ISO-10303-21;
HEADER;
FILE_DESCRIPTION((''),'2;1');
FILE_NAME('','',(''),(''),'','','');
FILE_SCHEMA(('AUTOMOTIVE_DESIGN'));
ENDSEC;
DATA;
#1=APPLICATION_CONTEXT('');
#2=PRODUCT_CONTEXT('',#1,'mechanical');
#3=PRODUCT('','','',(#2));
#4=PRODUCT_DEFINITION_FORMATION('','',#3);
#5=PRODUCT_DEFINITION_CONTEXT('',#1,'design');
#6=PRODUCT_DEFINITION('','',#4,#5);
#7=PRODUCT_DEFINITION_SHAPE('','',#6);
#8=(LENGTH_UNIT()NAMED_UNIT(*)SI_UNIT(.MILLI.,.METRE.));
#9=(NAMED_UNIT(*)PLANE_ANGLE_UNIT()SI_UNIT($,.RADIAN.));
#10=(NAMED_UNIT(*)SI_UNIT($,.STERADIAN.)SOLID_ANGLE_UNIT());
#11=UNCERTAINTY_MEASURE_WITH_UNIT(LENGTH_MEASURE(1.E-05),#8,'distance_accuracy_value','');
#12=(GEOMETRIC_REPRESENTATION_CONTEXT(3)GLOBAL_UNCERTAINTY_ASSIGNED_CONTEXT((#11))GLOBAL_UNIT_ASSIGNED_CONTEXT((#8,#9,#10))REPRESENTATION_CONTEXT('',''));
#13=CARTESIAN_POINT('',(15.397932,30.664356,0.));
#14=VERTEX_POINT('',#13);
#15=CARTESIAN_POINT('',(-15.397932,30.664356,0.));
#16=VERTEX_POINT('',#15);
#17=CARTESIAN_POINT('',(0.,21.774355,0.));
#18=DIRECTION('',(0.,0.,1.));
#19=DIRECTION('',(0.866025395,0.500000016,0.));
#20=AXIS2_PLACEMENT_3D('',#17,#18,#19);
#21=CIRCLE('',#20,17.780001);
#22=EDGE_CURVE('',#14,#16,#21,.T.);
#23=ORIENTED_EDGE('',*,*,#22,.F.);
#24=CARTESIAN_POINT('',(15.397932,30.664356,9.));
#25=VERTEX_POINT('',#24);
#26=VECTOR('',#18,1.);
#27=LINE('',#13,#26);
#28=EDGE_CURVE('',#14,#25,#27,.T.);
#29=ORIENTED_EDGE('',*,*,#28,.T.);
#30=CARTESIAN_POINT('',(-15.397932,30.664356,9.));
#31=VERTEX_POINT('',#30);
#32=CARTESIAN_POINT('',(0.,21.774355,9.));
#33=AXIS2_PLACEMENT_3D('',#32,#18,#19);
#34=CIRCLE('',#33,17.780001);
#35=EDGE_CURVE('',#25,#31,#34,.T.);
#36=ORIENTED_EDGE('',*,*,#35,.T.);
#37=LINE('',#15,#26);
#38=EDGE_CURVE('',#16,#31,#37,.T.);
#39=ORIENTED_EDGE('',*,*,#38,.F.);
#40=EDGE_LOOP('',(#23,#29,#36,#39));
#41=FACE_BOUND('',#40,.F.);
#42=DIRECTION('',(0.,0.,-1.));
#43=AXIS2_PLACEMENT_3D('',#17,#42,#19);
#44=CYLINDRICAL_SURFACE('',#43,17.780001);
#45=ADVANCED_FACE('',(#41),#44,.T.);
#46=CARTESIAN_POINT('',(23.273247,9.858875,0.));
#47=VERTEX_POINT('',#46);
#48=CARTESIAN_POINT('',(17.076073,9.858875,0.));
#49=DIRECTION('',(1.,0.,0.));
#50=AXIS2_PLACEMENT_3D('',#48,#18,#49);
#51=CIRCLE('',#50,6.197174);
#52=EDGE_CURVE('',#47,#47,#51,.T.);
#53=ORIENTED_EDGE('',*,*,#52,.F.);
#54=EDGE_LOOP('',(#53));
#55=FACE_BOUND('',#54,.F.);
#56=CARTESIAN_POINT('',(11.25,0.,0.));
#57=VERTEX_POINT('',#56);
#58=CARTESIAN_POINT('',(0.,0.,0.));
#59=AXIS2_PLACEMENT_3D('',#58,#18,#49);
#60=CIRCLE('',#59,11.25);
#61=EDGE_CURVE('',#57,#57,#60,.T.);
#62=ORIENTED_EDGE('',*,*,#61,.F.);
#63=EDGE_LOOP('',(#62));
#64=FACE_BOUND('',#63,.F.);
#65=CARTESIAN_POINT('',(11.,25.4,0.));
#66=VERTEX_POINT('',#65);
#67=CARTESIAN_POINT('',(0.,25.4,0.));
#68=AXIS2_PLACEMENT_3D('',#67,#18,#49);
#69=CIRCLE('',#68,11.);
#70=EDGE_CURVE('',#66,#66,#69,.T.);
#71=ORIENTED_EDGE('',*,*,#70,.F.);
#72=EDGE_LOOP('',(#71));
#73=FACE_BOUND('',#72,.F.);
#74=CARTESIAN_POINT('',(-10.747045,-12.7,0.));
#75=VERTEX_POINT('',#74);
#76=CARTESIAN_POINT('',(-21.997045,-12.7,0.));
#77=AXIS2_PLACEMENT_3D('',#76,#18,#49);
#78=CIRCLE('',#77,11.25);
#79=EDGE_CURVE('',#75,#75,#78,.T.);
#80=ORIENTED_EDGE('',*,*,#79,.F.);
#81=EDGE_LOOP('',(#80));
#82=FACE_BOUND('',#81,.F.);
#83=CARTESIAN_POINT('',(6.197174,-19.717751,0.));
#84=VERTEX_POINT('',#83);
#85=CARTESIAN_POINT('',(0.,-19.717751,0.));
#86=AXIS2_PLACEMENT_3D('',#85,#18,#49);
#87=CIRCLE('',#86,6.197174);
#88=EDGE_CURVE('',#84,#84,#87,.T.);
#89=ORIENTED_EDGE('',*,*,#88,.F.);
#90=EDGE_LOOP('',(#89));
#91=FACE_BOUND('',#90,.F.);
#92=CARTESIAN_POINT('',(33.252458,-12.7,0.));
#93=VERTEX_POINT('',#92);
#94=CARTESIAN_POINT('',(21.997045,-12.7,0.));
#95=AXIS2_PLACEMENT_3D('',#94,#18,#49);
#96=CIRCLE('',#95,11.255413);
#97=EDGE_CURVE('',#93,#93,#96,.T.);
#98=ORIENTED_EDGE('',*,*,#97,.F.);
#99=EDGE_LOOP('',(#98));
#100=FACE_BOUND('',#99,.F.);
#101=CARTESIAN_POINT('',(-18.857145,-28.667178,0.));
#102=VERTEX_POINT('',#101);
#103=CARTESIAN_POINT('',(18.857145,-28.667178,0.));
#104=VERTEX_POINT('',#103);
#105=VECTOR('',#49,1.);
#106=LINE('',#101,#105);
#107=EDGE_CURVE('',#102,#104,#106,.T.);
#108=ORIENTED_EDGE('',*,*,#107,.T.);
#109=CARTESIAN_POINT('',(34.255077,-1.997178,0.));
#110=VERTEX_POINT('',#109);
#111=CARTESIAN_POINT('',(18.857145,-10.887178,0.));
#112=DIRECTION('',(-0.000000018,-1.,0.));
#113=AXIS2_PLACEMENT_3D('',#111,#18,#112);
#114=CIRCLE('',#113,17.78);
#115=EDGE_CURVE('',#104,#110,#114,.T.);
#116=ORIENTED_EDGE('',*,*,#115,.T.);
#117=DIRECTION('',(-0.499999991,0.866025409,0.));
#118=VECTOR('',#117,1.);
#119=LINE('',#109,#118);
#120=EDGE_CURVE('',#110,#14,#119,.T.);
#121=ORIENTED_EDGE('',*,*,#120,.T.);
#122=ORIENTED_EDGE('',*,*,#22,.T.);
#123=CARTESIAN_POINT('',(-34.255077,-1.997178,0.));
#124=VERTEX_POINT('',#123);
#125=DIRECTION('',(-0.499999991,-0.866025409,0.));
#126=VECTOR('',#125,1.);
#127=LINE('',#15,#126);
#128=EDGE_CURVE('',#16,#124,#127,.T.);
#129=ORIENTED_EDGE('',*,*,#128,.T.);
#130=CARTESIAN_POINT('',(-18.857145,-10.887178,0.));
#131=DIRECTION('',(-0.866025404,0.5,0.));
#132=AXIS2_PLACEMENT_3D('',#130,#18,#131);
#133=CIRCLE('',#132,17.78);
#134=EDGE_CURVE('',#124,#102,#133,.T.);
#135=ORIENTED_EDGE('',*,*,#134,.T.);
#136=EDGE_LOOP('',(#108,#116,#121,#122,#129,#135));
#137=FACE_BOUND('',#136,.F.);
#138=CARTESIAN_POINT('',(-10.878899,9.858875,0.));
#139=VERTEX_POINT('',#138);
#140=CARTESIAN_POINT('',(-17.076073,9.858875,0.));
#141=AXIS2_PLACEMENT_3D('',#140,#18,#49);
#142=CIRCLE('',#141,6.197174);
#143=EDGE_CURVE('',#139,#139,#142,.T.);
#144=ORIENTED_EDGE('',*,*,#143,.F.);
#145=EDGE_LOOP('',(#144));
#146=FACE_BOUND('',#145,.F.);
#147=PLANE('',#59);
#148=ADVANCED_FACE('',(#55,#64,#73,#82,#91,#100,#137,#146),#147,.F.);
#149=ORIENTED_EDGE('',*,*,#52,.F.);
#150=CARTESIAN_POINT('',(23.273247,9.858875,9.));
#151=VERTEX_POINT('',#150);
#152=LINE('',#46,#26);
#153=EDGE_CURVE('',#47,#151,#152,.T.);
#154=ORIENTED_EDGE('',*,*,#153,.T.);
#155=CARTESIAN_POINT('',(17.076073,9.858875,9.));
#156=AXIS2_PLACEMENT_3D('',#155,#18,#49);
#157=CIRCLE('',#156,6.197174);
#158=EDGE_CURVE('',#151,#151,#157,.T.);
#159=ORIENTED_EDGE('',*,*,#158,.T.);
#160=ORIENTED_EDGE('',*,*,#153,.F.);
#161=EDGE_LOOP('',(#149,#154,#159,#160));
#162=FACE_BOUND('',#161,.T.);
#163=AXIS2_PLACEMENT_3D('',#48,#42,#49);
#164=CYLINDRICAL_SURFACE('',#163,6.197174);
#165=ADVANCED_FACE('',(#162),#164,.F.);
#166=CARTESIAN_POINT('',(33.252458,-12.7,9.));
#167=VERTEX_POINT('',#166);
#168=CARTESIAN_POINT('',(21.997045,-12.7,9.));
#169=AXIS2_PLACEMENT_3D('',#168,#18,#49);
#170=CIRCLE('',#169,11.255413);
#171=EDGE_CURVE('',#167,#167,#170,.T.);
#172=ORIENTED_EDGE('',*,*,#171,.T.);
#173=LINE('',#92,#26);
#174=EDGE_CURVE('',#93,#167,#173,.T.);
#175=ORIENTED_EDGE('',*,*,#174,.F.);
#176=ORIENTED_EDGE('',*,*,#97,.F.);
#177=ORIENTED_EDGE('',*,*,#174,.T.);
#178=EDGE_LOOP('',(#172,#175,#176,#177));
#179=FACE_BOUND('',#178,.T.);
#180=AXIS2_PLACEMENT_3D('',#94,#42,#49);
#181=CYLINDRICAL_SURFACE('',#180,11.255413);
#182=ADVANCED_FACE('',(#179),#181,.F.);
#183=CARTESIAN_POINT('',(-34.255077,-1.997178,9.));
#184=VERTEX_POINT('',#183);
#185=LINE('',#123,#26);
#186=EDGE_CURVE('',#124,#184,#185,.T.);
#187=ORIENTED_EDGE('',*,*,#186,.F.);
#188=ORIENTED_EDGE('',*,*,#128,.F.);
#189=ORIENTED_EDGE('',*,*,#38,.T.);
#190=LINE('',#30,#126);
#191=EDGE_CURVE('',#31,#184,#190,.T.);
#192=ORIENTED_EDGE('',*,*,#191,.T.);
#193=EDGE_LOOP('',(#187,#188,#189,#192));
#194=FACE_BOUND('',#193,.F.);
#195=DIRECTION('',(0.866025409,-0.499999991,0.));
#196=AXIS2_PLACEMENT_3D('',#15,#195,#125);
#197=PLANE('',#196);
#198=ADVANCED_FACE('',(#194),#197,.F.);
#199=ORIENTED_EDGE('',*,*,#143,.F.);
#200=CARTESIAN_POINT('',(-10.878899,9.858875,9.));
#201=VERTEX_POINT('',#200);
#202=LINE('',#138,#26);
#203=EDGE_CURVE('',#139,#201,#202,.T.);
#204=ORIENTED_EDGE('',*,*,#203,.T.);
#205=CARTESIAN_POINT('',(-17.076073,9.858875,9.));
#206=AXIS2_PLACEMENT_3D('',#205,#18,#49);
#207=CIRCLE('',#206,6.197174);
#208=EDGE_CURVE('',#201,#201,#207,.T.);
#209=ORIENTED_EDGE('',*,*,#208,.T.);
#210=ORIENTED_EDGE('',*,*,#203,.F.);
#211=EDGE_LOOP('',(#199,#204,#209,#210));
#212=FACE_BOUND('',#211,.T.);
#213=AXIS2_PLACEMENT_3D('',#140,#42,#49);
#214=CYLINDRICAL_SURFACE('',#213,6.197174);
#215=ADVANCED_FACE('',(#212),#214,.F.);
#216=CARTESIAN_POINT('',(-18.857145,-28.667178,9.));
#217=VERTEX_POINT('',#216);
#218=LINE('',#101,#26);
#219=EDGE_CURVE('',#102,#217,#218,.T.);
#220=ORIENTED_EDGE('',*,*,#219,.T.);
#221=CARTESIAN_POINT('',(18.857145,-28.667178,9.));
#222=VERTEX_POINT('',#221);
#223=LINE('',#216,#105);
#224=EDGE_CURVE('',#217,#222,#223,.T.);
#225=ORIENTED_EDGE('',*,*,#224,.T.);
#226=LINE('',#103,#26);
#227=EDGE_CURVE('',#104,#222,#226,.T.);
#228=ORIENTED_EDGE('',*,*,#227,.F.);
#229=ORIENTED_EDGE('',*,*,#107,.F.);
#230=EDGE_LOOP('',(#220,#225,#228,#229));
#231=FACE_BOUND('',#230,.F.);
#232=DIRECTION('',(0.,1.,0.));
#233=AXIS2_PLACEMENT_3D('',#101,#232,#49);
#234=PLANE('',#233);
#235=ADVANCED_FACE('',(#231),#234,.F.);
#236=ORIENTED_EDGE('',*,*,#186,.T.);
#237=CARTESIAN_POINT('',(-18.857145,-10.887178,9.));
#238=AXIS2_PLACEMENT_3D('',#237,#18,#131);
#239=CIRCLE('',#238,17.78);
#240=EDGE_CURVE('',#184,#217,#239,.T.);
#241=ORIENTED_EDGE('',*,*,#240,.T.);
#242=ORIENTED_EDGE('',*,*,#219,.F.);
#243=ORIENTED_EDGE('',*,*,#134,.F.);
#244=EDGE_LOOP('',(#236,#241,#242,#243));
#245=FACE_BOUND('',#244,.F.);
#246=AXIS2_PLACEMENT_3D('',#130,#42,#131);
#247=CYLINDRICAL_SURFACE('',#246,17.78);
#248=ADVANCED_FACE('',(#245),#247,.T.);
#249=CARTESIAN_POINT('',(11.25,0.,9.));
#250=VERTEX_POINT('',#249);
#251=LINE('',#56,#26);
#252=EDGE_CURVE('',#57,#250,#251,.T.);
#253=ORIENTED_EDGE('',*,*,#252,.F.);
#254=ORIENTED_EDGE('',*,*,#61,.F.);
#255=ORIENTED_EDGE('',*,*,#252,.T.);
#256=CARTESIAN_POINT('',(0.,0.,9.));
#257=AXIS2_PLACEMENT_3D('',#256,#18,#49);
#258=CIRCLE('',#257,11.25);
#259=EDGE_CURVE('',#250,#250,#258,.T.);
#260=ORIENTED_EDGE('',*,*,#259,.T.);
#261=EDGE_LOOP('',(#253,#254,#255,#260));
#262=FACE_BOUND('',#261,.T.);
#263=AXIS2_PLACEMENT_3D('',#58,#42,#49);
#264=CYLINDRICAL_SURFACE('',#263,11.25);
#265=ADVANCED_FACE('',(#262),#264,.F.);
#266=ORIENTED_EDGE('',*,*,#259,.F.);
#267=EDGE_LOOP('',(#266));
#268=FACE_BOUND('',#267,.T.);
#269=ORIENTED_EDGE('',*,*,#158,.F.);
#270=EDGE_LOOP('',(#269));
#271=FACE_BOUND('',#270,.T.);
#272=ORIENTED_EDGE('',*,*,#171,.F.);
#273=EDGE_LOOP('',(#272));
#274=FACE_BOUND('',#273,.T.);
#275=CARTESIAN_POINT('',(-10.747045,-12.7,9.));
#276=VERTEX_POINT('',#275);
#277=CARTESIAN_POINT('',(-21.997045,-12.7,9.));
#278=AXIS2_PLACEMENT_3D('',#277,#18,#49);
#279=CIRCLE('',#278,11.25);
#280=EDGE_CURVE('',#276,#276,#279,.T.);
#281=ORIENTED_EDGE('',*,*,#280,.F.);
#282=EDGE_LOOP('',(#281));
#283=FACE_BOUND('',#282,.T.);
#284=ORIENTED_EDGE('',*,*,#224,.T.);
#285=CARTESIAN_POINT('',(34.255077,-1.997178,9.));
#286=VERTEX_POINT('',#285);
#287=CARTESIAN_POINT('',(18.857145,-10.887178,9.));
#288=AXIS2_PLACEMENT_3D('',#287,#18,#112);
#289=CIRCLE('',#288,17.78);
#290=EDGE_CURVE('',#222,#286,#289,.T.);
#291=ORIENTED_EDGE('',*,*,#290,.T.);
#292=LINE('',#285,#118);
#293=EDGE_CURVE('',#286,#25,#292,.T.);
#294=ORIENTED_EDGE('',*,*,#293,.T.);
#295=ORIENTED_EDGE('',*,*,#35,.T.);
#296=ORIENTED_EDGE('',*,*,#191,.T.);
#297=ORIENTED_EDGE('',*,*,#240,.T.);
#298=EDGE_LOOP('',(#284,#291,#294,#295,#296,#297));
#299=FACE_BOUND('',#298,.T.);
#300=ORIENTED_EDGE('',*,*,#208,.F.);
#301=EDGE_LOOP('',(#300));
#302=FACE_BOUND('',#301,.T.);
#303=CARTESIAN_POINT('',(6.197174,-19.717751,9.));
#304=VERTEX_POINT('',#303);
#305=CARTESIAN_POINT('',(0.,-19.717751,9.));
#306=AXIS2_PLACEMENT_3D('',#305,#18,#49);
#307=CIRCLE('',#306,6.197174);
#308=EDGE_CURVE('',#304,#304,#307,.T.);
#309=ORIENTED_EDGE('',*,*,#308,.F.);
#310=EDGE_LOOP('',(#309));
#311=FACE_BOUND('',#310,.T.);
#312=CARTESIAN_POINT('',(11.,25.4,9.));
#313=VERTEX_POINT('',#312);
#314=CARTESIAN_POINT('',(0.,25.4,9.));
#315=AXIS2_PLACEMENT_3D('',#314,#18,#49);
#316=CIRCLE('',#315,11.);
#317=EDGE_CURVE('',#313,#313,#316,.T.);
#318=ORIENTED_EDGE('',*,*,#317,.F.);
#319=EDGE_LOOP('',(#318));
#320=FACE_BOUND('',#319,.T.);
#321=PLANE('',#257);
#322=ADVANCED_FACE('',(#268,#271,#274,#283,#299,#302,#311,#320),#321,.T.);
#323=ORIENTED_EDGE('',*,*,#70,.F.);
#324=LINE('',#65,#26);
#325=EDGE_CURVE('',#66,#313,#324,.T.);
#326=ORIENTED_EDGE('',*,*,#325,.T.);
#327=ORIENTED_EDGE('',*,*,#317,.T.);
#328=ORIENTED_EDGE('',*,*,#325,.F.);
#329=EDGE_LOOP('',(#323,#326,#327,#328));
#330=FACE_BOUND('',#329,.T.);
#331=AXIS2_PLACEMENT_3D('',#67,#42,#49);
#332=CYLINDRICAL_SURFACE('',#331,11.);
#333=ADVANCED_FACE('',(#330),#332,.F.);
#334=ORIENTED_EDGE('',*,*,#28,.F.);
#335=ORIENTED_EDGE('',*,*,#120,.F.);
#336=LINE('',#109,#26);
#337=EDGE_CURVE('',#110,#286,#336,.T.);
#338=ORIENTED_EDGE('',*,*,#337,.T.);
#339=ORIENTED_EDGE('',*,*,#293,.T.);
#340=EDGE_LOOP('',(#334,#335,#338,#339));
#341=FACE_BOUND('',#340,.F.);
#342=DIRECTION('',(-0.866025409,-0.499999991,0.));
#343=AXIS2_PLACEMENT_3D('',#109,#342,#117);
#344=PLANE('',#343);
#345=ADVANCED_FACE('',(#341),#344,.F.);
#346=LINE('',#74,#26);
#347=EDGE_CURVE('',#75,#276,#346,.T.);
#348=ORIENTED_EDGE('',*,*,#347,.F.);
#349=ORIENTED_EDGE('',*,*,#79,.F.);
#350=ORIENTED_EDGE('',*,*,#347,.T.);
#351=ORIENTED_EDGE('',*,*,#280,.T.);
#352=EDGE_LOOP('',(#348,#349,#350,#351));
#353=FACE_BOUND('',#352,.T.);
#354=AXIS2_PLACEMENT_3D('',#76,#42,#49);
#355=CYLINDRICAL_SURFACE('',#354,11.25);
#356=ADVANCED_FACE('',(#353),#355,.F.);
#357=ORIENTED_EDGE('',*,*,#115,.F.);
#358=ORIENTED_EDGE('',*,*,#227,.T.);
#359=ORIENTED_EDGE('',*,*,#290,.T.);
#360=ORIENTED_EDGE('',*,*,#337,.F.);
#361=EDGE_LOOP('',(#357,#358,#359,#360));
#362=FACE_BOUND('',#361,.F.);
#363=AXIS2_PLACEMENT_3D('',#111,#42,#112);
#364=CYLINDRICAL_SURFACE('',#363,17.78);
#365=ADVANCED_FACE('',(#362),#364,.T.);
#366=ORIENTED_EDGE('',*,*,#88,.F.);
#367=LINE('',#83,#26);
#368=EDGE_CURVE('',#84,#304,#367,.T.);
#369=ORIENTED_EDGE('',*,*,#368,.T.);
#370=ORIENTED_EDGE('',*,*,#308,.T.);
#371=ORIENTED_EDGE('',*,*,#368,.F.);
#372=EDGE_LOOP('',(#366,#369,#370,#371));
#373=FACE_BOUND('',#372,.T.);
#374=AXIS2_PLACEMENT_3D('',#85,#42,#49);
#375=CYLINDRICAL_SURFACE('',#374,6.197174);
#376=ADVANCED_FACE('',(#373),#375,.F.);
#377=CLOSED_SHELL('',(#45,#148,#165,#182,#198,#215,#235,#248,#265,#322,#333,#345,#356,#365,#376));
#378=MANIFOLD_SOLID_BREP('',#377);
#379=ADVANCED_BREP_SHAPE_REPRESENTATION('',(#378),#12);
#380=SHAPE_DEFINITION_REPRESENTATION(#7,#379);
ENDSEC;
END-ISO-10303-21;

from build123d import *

# Parameters (mm, degrees)
F0_R     = 11.25
F0_R_2   = 6.197174
F0_R_3   = 11.255413
F0_R_4   = 11
F1_DEPTH = 9


with BuildPart() as f1:
    # F0 (on Top) → F1 (new body)
    with BuildSketch(Plane.XY):
        with BuildLine():
            Line((-18.857145, -28.667178), (18.857145, -28.667178))
            ThreePointArc((18.857145, -28.667178), (34.255077, -19.777178), (34.255077, -1.997178))
            Line((34.255077, -1.997178), (15.397932, 30.664356))
            ThreePointArc((15.397932, 30.664356), (0, 39.554356), (-15.397932, 30.664356))
            Line((-15.397932, 30.664356), (-34.255077, -1.997178))
            ThreePointArc((-34.255077, -1.997178), (-34.255077, -19.777178), (-18.857145, -28.667178))
        make_face()
        with Locations((-21.997045, -12.7)):
            Circle(F0_R, mode=Mode.SUBTRACT)
        with Locations((0, -19.717751)):
            Circle(F0_R_2, mode=Mode.SUBTRACT)
        Circle(F0_R, mode=Mode.SUBTRACT)
        with Locations((21.997045, -12.7)):
            Circle(F0_R_3, mode=Mode.SUBTRACT)
        with Locations((-17.076073, 9.858875)):
            Circle(F0_R_2, mode=Mode.SUBTRACT)
        with Locations((0, 25.4)):
            Circle(F0_R_4, mode=Mode.SUBTRACT)
        with Locations((17.076073, 9.858875)):
            Circle(F0_R_2, mode=Mode.SUBTRACT)
    extrude(amount=F1_DEPTH)


solid = f1.part
